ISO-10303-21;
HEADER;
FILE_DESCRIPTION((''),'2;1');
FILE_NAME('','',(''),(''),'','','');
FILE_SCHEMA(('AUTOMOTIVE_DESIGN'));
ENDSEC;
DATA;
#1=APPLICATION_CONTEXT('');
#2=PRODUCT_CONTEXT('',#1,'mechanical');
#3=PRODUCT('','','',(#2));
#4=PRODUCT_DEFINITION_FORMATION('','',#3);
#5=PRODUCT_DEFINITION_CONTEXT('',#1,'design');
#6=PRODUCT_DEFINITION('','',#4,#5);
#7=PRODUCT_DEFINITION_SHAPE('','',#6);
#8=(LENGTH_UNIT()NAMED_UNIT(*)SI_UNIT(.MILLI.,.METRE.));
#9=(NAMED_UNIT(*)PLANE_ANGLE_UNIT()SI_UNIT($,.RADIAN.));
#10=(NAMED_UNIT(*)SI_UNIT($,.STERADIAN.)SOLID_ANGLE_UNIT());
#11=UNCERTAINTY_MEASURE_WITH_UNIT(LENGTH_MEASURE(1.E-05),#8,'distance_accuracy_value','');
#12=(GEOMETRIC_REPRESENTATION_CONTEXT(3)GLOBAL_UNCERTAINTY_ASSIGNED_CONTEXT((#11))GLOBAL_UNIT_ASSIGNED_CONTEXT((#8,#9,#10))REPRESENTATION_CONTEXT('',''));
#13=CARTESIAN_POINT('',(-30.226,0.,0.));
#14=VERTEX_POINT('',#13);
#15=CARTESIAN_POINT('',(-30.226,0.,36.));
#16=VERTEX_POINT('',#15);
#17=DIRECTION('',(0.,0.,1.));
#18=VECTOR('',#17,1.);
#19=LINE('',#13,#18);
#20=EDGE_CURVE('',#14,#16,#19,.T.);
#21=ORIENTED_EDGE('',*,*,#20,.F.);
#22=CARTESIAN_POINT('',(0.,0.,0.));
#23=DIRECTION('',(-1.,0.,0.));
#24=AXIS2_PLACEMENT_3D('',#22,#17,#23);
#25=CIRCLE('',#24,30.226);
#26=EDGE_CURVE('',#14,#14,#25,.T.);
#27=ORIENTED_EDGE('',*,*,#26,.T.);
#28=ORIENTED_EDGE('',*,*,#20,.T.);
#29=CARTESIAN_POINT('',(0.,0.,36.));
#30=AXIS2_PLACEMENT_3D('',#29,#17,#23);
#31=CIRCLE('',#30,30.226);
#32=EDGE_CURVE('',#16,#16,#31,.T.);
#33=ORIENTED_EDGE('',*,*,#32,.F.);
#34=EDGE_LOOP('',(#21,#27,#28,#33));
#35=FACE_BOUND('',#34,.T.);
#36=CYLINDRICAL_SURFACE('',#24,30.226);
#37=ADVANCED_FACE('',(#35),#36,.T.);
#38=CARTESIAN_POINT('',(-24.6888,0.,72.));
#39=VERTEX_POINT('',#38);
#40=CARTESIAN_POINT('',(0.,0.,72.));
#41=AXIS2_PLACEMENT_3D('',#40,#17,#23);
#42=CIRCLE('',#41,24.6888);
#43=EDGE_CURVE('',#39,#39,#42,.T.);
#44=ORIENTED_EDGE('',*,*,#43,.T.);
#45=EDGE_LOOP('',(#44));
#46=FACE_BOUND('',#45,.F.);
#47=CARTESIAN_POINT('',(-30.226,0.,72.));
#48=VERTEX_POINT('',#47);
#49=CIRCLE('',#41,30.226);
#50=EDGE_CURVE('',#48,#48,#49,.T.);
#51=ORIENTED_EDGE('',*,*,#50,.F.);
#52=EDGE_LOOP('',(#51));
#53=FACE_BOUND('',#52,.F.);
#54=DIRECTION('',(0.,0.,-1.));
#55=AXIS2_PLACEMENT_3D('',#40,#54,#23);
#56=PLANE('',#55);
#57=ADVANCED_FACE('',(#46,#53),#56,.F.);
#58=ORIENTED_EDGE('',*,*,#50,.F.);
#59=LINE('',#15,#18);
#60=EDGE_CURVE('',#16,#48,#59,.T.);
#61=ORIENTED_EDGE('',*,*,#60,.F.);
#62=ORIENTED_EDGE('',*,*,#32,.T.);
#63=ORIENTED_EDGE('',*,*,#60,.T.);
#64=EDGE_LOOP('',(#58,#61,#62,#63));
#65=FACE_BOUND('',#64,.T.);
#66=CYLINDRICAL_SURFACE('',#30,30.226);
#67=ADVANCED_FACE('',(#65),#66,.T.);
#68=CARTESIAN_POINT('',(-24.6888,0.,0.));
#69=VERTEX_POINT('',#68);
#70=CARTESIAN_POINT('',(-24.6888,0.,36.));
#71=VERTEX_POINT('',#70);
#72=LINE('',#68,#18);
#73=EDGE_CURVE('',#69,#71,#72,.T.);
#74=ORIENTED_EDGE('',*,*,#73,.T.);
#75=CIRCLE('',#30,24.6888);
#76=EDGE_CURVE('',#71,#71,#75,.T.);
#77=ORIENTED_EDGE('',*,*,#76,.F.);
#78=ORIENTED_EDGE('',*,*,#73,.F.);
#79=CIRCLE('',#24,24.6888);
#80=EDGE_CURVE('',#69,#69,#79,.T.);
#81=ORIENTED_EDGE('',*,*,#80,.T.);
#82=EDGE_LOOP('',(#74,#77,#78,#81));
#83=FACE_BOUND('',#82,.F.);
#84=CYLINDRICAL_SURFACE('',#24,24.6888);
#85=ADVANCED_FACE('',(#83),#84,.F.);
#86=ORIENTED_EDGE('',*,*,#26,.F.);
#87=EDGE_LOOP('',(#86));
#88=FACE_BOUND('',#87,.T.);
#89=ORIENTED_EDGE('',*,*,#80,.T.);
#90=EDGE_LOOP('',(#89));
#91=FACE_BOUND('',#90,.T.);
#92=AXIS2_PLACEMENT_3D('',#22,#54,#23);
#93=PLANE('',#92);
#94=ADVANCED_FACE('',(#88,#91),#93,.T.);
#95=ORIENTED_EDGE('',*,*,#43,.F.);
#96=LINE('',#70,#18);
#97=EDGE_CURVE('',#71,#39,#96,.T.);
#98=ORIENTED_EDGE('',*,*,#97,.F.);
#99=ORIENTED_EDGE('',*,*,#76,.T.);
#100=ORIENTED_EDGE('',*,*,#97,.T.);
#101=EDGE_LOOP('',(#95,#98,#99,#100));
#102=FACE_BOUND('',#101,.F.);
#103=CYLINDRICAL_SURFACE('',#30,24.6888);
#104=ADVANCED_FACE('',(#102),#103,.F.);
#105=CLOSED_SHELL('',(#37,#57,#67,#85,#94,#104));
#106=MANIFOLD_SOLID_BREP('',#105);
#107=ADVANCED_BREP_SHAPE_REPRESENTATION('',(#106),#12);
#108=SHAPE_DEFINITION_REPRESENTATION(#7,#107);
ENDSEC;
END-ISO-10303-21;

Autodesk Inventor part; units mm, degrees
ref_plane "Plano inicial" through (0, 0, 0) normal (0, 0, 1) x (1, 0, 0)
ref_plane "Plano final" through (0, 0, 72) normal (0, 0, 1) x (1, 0, 0)
sketch "Boceto" plane through (0, 0, 0) normal (0, 0, -1) x (-1, 0, 0)
  circle A0 centre (0, 0) radius 24.6888
  circle A1 centre (0, 0) radius 30.226
  dimension "d0" = 60.452
  dimension "d1" = 5.5372
sketch "Sketch3" plane through (0, 0, 0) normal (0, 0, 1) x (1, 0, 0)
  line L0 (0, 0) -> (10, 0)
ref_plane "Work Plane3" through (0, 0, 0) normal (0, -1, 0) x (1, 0, 0)
sketch "Sketch4" plane through (0, 0, 0) normal (0, -1, 0) x (1, 0, 0)
  line L0 (-2, 0) -> (12, 0)
  line L1 (-2, 72) -> (12, 72)
  dimension "d7" = 72
ref_plane "Plano de trabajo de orientación" through (0, 0, 0) normal (0, 0, -1) x (-1, 0, 0)
sketch3d "Trayectoria de barrido"
  line L0 (0, 0, 0) -> (0, 0, 36)
  line L1 (0, 0, 36) -> (0, 0, 72)
sweep "Cuerpo" add profiles "Boceto" path "Trayectoria de barrido"
equation "\"d0\" = G_H"
equation "\"d1\" = G_T"
equation "\"G_H\" = 60.452"
equation "\"G_T\" = 5.5372"
equation "\"G_L\" = d7"
equation "\"G_OFFSET_START\" = 0"
equation "\"G_OFFSET_END\" = 0"
equation "\"d5\" = G_OFFSET_END + B_L"
equation "\"B_L\" = 72"
properties part number "ANSI - 2 x 0.218 - 2,835" material "Acero, suave"
